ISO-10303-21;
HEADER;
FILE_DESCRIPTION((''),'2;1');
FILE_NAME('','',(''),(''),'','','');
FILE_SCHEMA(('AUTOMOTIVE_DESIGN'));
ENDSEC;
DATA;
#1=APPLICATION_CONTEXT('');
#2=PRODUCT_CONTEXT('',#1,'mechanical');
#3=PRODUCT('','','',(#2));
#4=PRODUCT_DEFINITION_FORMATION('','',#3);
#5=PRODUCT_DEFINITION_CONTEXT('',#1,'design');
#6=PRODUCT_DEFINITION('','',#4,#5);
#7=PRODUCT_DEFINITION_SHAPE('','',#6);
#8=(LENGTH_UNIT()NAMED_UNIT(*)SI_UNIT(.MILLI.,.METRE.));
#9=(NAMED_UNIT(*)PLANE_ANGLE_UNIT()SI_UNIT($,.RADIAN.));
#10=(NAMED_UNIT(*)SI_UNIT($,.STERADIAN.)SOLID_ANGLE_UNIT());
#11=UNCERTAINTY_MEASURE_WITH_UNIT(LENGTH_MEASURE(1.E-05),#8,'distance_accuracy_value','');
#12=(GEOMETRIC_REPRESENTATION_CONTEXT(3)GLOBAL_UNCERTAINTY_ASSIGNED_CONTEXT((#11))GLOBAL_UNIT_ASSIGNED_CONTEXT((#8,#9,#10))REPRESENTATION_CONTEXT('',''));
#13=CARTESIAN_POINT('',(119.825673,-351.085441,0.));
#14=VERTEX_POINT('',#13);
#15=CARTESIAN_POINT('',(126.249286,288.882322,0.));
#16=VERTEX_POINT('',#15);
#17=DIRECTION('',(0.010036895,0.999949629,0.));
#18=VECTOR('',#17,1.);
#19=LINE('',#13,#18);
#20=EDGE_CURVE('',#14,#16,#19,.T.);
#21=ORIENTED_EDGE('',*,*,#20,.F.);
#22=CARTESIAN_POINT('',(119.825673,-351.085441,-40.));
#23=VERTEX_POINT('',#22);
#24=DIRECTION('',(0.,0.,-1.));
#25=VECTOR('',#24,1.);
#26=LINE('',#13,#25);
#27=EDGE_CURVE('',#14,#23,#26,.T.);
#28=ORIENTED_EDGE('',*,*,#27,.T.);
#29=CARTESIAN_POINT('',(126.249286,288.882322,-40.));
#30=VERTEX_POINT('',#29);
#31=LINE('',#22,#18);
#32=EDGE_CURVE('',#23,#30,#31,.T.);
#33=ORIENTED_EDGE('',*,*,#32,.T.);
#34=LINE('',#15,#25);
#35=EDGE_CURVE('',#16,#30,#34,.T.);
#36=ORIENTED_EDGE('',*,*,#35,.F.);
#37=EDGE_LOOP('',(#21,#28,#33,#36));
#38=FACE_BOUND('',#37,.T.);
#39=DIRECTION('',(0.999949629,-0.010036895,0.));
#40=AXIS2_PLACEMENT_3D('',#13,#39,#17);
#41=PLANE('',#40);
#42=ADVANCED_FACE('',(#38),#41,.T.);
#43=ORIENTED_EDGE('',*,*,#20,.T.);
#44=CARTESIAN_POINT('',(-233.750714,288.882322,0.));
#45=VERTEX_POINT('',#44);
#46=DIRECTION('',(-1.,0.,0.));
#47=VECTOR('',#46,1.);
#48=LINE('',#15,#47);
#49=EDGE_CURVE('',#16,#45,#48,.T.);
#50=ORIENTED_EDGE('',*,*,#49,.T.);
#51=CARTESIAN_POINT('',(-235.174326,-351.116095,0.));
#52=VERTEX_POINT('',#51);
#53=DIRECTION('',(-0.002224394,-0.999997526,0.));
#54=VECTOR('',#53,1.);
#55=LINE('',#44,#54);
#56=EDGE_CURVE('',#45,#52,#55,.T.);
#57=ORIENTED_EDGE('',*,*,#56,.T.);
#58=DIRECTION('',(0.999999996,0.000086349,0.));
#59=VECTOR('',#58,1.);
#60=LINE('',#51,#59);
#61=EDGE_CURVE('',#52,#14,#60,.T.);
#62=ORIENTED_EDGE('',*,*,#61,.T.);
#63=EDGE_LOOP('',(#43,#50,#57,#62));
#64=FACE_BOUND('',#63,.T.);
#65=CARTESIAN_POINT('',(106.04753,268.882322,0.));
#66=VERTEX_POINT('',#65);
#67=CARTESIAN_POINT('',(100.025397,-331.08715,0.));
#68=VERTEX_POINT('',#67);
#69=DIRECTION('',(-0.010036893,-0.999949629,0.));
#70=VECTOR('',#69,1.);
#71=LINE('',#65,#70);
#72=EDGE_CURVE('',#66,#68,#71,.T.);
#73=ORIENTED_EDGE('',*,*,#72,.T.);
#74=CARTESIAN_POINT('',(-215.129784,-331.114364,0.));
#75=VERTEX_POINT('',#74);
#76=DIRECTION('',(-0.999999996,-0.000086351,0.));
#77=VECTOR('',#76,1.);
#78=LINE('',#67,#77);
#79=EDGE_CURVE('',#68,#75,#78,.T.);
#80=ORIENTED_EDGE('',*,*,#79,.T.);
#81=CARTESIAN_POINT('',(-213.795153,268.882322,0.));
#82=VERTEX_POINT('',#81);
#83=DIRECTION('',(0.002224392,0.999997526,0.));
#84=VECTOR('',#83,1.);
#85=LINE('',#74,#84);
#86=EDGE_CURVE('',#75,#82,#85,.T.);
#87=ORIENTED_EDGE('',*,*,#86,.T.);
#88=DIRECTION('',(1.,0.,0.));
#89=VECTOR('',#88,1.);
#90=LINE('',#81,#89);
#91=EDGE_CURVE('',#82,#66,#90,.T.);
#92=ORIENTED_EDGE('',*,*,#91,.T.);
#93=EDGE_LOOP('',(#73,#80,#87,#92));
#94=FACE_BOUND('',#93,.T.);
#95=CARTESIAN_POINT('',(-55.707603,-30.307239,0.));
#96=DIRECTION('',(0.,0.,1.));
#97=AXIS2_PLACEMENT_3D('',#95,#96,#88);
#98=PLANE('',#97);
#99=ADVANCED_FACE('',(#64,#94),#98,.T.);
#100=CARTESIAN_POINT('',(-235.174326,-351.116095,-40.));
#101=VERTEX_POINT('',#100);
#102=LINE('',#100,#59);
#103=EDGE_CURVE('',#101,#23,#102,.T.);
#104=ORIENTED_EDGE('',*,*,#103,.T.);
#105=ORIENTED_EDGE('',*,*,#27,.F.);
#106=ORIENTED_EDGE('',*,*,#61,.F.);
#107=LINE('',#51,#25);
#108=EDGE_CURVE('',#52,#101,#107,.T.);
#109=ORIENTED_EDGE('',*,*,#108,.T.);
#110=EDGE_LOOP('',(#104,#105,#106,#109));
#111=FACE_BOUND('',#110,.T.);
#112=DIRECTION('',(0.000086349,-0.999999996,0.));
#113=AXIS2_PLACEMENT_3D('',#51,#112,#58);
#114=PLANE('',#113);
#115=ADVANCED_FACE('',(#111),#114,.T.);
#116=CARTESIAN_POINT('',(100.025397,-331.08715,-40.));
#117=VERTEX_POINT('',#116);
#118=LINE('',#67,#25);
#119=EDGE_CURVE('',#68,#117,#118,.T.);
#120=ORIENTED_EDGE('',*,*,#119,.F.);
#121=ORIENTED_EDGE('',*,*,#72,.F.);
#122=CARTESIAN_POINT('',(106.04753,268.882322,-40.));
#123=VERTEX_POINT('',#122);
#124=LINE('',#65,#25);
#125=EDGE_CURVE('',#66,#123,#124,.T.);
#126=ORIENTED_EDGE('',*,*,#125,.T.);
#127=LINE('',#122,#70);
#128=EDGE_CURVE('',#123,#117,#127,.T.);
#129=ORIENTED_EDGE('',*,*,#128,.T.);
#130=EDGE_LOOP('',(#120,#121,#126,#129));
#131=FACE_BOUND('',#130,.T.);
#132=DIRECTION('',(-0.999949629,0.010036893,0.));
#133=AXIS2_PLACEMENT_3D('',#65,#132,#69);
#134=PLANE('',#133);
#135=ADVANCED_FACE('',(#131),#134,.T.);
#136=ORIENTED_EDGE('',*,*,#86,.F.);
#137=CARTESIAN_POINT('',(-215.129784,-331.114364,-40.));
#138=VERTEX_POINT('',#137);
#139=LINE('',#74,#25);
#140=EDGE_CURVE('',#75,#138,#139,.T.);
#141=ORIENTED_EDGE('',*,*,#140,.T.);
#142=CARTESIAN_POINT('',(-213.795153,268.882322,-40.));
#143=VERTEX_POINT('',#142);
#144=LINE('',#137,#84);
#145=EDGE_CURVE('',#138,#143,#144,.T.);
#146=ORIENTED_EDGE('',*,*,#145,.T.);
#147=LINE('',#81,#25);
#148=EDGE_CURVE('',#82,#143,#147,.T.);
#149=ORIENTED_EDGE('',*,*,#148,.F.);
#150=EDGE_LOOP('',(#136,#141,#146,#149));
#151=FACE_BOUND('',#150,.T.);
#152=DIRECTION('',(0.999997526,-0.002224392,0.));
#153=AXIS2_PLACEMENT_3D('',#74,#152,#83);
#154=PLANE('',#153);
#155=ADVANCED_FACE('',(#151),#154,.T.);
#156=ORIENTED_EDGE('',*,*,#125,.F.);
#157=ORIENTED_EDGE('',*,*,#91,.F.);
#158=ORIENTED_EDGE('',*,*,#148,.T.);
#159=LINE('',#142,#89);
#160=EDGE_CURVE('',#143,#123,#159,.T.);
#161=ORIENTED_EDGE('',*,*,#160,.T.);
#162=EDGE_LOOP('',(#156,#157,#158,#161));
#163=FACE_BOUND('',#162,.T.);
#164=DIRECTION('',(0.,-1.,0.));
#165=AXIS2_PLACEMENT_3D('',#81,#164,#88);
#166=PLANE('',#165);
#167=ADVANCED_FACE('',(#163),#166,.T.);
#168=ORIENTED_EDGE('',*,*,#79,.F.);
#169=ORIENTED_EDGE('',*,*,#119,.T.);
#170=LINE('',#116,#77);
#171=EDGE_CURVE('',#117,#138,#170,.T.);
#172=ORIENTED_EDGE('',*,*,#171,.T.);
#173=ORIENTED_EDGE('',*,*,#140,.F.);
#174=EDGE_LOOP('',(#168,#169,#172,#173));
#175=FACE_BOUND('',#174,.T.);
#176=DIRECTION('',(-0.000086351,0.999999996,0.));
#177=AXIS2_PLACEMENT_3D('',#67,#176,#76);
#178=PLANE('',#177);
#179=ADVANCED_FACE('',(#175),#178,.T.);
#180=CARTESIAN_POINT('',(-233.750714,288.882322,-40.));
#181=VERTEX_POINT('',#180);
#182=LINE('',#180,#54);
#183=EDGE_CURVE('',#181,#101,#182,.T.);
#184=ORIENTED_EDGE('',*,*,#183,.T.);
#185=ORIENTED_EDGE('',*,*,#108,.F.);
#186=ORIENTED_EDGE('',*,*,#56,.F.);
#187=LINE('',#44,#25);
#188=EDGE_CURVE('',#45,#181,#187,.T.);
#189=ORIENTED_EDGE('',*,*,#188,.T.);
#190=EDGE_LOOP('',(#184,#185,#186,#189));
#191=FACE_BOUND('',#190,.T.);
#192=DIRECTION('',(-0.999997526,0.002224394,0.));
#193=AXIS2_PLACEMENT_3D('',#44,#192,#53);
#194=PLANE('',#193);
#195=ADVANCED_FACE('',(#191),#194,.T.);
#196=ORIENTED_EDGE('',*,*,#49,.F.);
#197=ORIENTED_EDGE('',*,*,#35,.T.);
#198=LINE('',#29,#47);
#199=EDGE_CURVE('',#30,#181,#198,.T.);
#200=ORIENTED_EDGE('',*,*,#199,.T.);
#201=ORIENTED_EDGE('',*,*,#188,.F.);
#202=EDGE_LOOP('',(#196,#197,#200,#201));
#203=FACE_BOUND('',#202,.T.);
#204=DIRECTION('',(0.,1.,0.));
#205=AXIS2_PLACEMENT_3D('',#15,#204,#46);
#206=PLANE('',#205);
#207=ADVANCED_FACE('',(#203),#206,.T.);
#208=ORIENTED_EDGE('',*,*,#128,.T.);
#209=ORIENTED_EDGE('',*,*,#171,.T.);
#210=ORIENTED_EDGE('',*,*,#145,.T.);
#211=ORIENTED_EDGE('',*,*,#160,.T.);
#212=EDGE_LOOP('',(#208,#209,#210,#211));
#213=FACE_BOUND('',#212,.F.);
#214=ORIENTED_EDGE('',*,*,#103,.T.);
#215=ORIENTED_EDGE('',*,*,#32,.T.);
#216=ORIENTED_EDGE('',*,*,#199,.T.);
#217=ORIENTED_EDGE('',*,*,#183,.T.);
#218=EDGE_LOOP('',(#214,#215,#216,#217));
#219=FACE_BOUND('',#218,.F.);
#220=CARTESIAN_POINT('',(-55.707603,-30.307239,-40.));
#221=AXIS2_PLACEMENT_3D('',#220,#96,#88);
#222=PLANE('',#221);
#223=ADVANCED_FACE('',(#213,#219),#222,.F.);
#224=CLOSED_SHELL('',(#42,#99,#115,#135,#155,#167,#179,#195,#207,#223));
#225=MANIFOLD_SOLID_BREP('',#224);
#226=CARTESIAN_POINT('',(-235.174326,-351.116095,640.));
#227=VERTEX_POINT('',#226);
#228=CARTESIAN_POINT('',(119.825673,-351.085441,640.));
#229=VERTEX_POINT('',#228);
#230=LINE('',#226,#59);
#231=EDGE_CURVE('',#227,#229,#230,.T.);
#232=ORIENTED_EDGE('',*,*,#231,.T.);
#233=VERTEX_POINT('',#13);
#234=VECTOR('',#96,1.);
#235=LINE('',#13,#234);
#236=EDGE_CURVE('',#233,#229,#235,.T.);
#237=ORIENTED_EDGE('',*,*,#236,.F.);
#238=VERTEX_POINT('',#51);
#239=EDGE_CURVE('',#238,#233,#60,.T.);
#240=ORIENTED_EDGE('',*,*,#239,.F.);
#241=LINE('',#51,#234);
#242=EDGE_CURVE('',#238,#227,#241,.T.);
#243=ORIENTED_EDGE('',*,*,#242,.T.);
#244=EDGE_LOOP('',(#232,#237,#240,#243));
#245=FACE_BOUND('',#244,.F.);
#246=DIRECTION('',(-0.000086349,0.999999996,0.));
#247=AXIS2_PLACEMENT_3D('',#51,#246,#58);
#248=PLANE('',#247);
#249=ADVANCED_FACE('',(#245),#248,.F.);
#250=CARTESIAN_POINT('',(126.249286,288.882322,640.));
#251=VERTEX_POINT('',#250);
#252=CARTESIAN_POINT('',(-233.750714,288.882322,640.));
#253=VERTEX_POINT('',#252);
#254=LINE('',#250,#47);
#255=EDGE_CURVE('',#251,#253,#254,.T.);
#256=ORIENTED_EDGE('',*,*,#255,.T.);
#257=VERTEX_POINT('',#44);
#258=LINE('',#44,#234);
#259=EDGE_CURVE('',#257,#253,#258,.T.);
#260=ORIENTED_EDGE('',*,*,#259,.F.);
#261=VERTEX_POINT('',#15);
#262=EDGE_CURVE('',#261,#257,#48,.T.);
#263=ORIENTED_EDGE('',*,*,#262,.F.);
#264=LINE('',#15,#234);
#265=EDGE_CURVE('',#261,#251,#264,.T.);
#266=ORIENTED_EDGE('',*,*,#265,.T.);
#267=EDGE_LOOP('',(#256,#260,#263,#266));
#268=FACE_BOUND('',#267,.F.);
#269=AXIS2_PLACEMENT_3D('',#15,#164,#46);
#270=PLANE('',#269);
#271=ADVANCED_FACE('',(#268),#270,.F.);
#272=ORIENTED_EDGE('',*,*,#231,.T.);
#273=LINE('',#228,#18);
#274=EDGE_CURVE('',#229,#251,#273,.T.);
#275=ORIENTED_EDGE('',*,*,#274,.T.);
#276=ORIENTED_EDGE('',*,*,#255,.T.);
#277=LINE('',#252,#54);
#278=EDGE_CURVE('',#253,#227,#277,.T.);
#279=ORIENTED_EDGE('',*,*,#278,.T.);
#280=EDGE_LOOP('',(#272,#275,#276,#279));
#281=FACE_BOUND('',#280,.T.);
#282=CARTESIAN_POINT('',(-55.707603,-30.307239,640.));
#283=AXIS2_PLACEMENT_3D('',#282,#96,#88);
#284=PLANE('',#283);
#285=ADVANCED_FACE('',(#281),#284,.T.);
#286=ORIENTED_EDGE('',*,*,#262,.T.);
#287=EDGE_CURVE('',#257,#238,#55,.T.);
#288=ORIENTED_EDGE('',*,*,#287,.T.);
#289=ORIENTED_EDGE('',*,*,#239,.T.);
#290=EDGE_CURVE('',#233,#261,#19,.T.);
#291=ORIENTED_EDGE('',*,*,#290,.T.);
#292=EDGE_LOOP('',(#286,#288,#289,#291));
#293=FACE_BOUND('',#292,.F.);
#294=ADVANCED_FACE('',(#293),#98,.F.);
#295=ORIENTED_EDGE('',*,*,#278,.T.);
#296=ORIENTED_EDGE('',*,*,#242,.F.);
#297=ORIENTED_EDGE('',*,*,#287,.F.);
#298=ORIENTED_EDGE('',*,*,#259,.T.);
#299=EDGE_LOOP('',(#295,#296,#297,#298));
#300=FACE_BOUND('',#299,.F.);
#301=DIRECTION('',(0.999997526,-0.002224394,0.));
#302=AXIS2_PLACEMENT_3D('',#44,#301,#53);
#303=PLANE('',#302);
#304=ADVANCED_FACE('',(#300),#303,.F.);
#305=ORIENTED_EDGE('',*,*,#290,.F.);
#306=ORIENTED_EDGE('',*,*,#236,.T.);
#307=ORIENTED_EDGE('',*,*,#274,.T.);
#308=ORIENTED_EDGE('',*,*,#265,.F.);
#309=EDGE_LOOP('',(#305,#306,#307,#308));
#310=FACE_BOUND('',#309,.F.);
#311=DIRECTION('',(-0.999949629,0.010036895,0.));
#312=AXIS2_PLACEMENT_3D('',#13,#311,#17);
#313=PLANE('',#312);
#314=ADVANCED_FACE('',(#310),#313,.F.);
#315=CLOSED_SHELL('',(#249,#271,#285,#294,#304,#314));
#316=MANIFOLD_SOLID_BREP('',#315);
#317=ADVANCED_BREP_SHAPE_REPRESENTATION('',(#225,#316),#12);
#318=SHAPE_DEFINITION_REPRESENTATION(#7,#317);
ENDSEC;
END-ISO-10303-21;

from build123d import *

# Parameters (mm, degrees)
F1_DEPTH = 640
F2_DEPTH = 40


with BuildPart() as f1:
    # F0 (on Top) → F1 (new body)
    with BuildSketch(Plane.XY):
        Polygon((126.249286, 288.882322), (-233.750714, 288.882322), (-235.174326, -351.116095), (119.825673, -351.085441), align=None)
        Polygon((-215.129784, -331.114364), (-213.795153, 268.882322), (106.04753, 268.882322), (100.025397, -331.08715), align=None, mode=Mode.SUBTRACT)
        Polygon((106.04753, 268.882322), (-213.795153, 268.882322), (-215.129784, -331.114364), (100.025397, -331.08715), align=None)
    extrude(amount=F1_DEPTH)


with BuildPart() as f2:
    # F0 (on Top) → F2 (new body)
    with BuildSketch(Plane.XY):
        Polygon((126.249286, 288.882322), (-233.750714, 288.882322), (-235.174326, -351.116095), (119.825673, -351.085441), align=None)
        Polygon((-215.129784, -331.114364), (-213.795153, 268.882322), (106.04753, 268.882322), (100.025397, -331.08715), align=None, mode=Mode.SUBTRACT)
    extrude(amount=-F2_DEPTH)


solid = Compound([f1.part, f2.part])
